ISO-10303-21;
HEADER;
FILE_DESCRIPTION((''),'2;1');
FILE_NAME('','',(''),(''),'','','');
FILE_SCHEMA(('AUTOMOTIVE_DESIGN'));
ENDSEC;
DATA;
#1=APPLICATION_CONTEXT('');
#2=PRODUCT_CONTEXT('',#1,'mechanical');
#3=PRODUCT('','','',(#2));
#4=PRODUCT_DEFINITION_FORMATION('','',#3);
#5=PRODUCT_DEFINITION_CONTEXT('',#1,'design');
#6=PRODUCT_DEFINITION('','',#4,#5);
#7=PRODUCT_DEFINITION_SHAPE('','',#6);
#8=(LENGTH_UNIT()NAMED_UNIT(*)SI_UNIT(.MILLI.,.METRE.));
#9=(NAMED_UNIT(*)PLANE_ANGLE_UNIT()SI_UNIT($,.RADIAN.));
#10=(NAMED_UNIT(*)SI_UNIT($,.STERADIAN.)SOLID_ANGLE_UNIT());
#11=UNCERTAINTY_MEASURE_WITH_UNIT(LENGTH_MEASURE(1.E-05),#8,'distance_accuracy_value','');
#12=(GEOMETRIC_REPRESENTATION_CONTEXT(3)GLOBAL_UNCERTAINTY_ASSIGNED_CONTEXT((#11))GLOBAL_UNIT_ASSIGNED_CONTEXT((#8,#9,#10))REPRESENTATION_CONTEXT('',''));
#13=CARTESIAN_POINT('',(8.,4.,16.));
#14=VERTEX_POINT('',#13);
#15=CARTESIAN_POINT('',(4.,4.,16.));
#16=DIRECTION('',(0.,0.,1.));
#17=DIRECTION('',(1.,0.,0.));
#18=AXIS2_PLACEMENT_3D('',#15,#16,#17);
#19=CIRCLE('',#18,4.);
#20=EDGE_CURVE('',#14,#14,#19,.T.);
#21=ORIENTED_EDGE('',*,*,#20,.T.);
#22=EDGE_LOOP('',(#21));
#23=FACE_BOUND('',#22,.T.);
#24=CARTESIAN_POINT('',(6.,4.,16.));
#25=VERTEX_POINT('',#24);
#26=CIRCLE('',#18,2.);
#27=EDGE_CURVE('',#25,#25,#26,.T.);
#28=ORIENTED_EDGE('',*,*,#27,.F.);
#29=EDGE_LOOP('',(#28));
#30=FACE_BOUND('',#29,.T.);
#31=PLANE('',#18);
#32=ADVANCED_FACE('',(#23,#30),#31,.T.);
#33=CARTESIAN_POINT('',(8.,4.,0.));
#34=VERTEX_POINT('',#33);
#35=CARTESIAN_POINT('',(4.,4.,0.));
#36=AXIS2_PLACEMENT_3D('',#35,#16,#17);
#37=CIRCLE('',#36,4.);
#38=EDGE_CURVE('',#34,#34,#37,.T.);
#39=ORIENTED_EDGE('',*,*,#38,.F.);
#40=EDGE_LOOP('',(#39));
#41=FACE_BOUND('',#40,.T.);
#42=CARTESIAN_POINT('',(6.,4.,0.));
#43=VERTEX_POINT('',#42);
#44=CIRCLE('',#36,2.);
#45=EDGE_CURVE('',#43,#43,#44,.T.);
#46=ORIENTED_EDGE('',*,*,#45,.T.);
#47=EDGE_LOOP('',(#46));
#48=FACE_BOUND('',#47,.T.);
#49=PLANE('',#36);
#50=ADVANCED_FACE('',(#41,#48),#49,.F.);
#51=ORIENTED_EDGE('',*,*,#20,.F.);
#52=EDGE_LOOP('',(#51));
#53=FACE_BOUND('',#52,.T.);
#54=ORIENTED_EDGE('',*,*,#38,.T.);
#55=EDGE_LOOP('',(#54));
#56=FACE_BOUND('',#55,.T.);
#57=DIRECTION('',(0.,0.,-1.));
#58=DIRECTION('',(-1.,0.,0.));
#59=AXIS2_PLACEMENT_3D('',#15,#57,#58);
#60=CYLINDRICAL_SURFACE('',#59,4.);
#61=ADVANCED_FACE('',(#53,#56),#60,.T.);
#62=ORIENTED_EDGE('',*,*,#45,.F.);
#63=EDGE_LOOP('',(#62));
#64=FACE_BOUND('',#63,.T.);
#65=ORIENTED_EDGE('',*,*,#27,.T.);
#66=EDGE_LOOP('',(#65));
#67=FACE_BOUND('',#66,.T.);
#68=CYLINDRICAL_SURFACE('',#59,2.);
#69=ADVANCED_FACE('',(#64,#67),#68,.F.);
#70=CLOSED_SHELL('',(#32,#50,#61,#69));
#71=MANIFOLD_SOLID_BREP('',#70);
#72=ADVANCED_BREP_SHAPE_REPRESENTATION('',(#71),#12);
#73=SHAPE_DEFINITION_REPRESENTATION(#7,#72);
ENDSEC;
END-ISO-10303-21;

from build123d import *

# Parameters (mm, degrees)
SKETCH1_R     = 4
SKETCH1_R_2   = 2
PROFILE_DEPTH = 16


with BuildPart() as part:
    # Sketch1 → Profile (new body)
    with BuildSketch(Plane.XY):
        with Locations((4, 4)):
            Circle(SKETCH1_R)
        with Locations((4, 4)):
            Circle(SKETCH1_R_2, mode=Mode.SUBTRACT)
    extrude(amount=PROFILE_DEPTH)


solid = part.part
